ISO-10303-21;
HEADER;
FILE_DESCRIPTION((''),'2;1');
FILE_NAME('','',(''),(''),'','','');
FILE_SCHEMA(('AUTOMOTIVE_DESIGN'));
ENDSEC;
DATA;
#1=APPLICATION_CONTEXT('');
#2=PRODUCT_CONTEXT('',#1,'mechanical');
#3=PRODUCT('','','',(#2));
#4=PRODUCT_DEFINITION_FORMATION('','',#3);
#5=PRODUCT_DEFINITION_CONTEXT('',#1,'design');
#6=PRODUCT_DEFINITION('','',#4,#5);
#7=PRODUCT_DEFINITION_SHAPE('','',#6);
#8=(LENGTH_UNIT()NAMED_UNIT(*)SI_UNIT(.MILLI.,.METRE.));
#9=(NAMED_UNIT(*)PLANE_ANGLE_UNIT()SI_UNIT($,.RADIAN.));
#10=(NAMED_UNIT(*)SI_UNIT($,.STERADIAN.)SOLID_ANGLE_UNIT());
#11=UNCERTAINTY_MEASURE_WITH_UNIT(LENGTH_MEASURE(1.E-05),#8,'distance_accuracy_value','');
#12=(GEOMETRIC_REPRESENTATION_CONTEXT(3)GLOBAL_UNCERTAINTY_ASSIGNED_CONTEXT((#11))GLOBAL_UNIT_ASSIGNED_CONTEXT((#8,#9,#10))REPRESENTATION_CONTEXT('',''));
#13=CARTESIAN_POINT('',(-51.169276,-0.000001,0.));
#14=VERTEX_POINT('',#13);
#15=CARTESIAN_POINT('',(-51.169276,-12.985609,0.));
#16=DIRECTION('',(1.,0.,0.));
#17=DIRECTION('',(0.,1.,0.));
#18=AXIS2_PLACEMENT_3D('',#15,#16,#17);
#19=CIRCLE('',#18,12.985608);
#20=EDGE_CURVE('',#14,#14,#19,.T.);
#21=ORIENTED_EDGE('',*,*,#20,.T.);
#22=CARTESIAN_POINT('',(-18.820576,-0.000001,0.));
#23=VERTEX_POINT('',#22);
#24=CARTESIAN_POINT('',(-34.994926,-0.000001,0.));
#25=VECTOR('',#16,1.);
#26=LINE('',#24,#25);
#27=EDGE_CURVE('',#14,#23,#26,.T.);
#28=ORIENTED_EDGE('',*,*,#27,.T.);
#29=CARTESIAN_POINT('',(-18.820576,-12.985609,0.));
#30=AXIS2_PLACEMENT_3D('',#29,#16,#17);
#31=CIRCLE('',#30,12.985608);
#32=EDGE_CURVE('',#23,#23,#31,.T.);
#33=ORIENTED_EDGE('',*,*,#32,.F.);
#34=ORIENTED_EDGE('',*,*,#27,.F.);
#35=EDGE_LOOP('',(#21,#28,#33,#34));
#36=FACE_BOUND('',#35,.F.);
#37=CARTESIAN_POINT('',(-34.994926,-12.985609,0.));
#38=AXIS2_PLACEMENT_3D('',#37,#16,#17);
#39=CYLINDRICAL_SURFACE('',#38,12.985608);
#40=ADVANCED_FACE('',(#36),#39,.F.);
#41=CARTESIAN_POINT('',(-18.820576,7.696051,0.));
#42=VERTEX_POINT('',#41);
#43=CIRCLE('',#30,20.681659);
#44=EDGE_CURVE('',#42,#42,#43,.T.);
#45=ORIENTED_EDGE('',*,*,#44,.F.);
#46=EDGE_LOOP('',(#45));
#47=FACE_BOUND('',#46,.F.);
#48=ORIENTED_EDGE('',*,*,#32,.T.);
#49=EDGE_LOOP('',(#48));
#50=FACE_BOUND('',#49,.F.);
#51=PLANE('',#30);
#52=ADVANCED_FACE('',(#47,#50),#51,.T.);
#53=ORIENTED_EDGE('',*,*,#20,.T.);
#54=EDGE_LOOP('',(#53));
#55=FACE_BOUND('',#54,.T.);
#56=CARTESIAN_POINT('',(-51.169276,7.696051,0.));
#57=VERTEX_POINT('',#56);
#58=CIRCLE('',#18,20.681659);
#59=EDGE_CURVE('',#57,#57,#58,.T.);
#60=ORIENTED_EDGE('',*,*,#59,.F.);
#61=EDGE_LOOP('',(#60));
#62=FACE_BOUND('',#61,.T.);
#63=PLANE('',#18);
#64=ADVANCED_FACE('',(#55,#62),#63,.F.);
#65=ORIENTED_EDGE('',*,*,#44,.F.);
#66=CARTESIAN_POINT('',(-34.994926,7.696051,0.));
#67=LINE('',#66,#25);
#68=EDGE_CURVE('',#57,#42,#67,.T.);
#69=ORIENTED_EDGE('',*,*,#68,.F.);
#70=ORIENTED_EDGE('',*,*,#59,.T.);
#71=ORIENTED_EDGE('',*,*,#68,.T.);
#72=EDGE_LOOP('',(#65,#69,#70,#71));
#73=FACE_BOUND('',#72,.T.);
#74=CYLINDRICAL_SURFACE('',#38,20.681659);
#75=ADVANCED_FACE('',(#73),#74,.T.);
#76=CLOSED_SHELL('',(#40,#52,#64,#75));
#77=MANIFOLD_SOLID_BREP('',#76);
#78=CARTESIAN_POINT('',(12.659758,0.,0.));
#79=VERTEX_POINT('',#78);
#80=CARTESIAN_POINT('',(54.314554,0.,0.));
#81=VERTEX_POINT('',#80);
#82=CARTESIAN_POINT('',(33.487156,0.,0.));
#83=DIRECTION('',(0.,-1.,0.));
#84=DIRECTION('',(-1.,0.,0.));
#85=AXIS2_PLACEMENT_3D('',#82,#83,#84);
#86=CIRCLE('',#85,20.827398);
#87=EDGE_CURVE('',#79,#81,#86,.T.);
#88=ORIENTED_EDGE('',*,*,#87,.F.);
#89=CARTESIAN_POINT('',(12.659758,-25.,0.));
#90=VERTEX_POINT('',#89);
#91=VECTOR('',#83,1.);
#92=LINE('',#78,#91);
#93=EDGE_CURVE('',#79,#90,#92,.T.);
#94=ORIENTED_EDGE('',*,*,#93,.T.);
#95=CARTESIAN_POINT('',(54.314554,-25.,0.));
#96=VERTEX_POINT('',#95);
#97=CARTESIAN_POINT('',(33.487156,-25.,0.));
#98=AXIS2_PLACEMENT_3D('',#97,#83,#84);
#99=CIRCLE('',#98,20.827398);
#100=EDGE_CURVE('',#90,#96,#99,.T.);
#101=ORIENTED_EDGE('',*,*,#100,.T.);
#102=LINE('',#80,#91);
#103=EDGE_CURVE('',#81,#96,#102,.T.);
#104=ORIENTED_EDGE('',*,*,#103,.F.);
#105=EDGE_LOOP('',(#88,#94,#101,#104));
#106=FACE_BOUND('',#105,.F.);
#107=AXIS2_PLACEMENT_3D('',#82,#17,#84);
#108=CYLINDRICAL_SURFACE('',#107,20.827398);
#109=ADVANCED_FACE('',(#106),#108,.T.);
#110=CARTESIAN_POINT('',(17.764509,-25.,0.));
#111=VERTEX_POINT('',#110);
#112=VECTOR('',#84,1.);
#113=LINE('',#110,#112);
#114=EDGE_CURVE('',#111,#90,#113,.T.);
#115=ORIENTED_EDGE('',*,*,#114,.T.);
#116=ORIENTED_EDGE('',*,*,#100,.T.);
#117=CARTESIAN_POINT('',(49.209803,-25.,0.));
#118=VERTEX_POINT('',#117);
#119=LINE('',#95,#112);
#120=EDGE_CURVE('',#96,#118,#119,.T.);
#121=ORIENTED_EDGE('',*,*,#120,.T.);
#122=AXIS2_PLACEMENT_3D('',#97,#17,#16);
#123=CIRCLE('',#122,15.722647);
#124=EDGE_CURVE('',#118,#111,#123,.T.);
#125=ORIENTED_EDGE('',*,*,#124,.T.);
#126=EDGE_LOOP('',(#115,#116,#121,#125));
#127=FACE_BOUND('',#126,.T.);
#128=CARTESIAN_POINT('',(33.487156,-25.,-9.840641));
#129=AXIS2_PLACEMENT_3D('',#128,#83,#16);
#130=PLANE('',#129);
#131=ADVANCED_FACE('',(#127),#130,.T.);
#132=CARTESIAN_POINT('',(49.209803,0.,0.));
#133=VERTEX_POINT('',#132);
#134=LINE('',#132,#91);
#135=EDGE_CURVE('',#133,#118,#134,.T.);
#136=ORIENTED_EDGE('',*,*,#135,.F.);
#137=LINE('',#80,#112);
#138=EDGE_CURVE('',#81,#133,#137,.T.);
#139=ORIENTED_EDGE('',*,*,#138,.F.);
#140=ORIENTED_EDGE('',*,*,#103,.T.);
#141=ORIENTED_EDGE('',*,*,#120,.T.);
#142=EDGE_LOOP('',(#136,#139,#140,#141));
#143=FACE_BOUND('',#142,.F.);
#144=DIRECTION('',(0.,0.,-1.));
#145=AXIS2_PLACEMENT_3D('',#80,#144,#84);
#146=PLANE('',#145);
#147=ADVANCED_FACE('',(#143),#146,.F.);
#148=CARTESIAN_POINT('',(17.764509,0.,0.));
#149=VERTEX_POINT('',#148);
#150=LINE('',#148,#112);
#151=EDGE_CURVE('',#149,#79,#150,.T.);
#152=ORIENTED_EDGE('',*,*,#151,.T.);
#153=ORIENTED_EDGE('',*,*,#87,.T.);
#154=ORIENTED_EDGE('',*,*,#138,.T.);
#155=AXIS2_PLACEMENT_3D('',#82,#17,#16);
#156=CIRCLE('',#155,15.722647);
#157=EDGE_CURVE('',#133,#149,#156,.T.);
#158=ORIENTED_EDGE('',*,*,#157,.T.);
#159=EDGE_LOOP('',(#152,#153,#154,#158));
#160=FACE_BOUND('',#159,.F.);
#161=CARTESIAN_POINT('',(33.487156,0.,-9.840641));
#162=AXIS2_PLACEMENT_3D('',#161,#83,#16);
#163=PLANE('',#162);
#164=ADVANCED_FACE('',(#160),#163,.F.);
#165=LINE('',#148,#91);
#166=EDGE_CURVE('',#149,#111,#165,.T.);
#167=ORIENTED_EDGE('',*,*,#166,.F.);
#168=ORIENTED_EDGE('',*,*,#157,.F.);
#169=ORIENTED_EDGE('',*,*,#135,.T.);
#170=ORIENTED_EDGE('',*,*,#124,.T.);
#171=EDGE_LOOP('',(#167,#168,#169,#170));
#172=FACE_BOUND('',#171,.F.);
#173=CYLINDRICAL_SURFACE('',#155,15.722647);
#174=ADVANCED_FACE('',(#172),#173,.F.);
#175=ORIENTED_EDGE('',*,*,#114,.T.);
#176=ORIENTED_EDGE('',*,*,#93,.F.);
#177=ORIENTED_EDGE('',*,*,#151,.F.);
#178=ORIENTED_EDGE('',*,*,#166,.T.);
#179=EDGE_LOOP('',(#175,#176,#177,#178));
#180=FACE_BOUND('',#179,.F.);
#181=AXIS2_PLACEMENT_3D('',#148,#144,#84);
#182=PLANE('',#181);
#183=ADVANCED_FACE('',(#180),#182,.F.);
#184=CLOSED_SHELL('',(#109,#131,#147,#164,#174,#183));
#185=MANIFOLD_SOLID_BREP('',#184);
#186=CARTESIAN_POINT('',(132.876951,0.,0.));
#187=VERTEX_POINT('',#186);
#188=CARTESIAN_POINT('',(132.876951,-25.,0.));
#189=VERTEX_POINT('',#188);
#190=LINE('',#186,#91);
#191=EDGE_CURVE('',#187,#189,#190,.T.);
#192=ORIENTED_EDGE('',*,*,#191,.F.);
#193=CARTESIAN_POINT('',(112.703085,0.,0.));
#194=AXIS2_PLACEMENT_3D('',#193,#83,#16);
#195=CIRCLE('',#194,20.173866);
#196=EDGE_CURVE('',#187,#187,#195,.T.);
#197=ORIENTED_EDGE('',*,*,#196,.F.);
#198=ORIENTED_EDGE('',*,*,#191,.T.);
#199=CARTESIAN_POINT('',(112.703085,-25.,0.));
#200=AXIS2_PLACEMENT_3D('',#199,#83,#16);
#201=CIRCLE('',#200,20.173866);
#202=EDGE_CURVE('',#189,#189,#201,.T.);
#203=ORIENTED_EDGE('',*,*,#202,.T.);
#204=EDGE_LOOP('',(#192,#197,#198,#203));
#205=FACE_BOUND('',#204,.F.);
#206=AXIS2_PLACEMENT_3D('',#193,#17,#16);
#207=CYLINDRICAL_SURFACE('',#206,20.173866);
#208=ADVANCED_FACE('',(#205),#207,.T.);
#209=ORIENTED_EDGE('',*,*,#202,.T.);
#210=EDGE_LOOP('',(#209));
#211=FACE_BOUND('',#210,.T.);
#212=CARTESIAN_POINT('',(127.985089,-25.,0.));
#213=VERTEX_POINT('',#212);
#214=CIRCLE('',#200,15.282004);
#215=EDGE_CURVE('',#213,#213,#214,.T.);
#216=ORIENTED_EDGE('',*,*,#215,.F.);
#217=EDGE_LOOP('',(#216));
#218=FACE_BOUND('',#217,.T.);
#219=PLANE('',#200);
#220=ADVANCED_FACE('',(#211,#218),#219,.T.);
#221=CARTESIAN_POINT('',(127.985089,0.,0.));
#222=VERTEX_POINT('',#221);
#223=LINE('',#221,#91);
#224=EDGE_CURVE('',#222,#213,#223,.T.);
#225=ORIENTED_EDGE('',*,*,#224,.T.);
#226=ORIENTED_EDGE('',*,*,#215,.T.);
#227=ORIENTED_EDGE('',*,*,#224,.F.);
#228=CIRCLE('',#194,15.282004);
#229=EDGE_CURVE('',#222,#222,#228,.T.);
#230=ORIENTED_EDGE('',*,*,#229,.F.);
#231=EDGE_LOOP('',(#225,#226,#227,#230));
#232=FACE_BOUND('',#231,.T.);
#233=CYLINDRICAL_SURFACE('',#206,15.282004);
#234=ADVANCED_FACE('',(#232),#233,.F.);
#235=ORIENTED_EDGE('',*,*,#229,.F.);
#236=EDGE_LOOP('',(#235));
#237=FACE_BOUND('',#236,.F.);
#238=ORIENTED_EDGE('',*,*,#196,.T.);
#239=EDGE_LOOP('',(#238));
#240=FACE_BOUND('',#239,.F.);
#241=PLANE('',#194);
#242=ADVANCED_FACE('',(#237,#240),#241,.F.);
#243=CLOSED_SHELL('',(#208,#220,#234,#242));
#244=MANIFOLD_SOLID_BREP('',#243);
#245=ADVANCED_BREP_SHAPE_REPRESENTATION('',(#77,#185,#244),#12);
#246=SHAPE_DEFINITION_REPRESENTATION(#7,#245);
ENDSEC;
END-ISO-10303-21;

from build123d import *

# Parameters (mm, degrees)
F0_W     = 32.3487
F0_H     = 7.696051
F3_DEPTH = 25
F4_R     = 20.173866
F4_R_2   = 15.282004
F5_DEPTH = 25


with BuildPart() as f1:
    # F0 (on Top) → F1 (revolve)
    with BuildSketch(Plane.XY):
        with Locations((-34.994926, 3.848025)):
            Rectangle(F0_W, F0_H)
    revolve(axis=Axis((-34.709183, -12.985609, 0), (1, 0, 0)))


with BuildPart() as f3:
    # F2 (on Front) → F3 (new body)
    with BuildSketch(Plane.XZ):
        with BuildLine():
            ThreePointArc((12.659758, 0), (33.487156, -20.827398), (54.314554, 0))
            Line((54.314554, 0), (49.209803, 0))
            ThreePointArc((49.209803, 0), (33.487156, -15.722647), (17.764509, 0))
            Line((17.764509, 0), (12.659758, 0))
        make_face()
    extrude(amount=F3_DEPTH)


with BuildPart() as f5:
    # F4 (on Front) → F5 (new body)
    with BuildSketch(Plane.XZ):
        with Locations((112.703085, 0)):
            Circle(F4_R)
        with Locations((112.703085, 0)):
            Circle(F4_R_2, mode=Mode.SUBTRACT)
    extrude(amount=F5_DEPTH)


solid = Compound([f1.part, f3.part, f5.part])
